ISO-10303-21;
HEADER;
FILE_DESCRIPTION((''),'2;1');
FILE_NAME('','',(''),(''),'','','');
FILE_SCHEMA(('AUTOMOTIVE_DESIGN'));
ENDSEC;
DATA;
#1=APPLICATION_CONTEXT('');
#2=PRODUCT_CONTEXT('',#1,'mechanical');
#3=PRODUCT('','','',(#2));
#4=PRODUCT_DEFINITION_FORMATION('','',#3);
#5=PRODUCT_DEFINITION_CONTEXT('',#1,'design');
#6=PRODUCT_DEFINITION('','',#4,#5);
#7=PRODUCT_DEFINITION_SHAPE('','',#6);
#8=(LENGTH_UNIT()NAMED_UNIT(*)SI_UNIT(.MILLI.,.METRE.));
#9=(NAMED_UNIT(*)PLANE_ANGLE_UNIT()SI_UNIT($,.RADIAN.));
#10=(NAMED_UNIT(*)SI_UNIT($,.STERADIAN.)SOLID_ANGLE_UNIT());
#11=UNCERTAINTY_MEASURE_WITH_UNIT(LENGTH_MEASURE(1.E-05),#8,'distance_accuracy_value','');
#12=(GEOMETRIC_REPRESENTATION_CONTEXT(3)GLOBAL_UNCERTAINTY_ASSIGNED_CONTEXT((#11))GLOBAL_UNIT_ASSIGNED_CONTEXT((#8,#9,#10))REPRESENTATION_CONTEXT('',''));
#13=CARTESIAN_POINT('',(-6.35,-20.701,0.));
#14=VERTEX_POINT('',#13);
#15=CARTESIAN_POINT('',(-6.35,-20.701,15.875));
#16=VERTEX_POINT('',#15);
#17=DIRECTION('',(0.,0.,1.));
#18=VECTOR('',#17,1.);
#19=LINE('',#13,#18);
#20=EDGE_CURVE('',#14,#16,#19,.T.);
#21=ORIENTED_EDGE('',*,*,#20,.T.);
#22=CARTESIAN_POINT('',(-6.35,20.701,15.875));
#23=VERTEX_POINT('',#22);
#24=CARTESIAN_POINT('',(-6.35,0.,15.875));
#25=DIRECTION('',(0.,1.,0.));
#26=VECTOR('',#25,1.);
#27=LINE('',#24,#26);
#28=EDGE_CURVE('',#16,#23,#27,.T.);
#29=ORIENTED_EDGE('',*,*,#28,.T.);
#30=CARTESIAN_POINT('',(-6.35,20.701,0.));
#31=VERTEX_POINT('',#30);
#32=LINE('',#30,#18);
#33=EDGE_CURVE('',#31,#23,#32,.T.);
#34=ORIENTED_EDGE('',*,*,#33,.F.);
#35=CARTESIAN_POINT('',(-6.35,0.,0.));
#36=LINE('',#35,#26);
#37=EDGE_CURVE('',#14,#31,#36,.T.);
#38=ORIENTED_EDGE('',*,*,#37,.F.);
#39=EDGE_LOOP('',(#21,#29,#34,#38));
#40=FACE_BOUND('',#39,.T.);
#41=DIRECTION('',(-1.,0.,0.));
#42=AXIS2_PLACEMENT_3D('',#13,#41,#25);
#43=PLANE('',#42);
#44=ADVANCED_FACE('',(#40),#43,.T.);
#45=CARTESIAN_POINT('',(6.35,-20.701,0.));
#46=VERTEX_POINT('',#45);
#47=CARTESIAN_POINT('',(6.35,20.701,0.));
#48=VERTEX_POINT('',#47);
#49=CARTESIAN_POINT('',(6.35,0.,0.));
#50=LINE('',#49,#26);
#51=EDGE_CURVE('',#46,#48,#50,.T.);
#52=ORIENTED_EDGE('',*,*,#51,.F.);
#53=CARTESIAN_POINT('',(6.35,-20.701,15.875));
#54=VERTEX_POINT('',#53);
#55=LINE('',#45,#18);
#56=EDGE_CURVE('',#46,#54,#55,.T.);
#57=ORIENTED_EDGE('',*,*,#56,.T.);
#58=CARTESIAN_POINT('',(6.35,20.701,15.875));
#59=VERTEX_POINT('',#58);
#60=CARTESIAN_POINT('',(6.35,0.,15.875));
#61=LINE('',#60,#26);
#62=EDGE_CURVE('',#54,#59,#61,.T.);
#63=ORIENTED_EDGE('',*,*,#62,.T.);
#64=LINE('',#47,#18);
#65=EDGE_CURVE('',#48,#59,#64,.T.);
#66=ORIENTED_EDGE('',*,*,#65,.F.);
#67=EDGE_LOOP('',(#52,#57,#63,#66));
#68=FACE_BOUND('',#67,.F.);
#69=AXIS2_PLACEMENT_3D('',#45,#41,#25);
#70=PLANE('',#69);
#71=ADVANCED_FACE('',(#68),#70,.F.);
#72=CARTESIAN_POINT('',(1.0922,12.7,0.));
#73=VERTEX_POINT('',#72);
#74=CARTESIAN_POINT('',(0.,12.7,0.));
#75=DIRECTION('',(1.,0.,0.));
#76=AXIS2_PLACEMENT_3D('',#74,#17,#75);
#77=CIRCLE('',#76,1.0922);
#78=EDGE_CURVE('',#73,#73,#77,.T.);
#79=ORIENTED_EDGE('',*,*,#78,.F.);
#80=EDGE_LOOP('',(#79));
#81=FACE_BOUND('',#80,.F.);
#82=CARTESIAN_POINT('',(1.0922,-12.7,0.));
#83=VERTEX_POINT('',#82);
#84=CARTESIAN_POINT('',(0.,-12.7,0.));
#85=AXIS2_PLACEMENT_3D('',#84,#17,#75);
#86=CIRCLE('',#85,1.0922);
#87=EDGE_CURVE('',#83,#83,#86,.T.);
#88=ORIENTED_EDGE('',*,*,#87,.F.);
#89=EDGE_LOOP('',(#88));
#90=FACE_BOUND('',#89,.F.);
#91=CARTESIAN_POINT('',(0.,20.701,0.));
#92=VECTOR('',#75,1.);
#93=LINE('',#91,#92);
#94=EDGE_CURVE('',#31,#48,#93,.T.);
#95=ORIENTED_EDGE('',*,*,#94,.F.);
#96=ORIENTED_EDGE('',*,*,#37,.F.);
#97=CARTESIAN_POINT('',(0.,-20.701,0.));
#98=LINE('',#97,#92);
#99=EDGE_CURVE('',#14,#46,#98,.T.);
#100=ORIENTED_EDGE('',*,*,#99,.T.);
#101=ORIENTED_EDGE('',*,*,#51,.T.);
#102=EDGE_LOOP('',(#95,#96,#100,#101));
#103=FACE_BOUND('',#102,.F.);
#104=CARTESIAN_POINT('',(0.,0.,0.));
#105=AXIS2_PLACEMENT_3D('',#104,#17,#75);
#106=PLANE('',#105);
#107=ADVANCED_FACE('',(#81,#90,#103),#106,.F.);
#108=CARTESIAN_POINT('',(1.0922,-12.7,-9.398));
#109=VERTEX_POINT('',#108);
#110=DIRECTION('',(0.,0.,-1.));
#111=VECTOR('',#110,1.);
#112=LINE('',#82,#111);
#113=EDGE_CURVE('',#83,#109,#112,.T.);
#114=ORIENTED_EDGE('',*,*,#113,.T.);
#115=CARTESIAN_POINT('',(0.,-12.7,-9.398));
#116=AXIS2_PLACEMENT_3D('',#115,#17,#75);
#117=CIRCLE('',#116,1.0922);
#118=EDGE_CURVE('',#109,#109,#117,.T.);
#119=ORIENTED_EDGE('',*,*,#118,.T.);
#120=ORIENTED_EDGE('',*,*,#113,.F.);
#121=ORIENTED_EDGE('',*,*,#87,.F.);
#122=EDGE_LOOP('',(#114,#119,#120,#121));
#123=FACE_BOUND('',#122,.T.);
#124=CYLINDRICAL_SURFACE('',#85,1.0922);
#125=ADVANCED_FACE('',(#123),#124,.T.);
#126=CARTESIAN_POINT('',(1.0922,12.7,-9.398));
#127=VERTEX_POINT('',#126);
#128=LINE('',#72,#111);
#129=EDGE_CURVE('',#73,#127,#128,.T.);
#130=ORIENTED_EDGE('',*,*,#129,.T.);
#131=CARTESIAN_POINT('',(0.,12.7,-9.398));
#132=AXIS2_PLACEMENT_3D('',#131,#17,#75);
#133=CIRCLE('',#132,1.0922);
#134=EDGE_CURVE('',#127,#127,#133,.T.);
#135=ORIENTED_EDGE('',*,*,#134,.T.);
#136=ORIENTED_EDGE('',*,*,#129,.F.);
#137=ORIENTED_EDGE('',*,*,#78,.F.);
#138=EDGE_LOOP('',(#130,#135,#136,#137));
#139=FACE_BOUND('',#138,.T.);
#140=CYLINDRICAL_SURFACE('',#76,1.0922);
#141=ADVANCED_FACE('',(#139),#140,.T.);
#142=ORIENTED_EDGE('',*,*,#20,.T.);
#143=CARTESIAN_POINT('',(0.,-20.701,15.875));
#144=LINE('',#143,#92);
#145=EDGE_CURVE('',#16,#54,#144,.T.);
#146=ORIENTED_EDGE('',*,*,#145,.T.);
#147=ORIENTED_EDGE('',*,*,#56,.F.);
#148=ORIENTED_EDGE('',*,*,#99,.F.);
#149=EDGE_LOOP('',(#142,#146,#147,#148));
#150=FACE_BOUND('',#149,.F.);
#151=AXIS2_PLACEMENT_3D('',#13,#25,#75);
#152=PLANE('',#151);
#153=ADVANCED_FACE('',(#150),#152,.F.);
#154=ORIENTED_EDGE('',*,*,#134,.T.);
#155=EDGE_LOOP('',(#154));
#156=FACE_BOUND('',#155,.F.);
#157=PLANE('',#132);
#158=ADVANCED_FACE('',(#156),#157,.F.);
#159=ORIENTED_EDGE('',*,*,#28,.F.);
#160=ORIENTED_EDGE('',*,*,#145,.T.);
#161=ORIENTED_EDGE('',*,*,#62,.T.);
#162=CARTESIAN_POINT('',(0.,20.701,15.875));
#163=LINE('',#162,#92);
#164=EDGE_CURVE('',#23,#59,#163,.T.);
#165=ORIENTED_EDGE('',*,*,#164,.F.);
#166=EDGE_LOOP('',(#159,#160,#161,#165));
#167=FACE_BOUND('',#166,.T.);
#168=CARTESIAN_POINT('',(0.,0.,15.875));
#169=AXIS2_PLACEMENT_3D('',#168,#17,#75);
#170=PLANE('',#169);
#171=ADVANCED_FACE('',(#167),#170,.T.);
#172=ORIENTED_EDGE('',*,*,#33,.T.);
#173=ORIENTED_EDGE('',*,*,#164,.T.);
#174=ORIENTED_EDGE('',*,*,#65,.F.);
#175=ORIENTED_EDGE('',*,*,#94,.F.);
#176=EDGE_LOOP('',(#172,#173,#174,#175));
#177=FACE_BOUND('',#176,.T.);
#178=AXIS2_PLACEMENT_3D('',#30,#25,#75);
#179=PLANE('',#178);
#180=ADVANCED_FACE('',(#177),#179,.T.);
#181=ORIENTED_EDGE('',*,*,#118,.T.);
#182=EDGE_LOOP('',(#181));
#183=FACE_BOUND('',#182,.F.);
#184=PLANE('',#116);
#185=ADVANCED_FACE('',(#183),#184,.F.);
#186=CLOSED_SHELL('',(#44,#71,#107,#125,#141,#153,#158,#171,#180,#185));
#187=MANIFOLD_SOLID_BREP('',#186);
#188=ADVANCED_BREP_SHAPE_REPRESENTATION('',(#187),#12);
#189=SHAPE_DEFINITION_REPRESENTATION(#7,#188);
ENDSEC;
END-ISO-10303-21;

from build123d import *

# Parameters (mm, degrees)
F0_W     = 12.7
F0_H     = 41.402
F1_DEPTH = 15.875
F2_R     = 1.0922
F3_DEPTH = 9.398


with BuildPart() as f1:
    # F0 (on Top) → F1 (new body)
    with BuildSketch(Plane.XY):
        Rectangle(F0_W, F0_H)
    extrude(amount=F1_DEPTH)

    # F2 (on Top) → F3 (join)
    with BuildSketch(Plane.XY):
        with Locations((0, 12.7)):
            Circle(F2_R)
        with Locations((0, -12.7)):
            Circle(F2_R)
    extrude(amount=-F3_DEPTH)


solid = f1.part
